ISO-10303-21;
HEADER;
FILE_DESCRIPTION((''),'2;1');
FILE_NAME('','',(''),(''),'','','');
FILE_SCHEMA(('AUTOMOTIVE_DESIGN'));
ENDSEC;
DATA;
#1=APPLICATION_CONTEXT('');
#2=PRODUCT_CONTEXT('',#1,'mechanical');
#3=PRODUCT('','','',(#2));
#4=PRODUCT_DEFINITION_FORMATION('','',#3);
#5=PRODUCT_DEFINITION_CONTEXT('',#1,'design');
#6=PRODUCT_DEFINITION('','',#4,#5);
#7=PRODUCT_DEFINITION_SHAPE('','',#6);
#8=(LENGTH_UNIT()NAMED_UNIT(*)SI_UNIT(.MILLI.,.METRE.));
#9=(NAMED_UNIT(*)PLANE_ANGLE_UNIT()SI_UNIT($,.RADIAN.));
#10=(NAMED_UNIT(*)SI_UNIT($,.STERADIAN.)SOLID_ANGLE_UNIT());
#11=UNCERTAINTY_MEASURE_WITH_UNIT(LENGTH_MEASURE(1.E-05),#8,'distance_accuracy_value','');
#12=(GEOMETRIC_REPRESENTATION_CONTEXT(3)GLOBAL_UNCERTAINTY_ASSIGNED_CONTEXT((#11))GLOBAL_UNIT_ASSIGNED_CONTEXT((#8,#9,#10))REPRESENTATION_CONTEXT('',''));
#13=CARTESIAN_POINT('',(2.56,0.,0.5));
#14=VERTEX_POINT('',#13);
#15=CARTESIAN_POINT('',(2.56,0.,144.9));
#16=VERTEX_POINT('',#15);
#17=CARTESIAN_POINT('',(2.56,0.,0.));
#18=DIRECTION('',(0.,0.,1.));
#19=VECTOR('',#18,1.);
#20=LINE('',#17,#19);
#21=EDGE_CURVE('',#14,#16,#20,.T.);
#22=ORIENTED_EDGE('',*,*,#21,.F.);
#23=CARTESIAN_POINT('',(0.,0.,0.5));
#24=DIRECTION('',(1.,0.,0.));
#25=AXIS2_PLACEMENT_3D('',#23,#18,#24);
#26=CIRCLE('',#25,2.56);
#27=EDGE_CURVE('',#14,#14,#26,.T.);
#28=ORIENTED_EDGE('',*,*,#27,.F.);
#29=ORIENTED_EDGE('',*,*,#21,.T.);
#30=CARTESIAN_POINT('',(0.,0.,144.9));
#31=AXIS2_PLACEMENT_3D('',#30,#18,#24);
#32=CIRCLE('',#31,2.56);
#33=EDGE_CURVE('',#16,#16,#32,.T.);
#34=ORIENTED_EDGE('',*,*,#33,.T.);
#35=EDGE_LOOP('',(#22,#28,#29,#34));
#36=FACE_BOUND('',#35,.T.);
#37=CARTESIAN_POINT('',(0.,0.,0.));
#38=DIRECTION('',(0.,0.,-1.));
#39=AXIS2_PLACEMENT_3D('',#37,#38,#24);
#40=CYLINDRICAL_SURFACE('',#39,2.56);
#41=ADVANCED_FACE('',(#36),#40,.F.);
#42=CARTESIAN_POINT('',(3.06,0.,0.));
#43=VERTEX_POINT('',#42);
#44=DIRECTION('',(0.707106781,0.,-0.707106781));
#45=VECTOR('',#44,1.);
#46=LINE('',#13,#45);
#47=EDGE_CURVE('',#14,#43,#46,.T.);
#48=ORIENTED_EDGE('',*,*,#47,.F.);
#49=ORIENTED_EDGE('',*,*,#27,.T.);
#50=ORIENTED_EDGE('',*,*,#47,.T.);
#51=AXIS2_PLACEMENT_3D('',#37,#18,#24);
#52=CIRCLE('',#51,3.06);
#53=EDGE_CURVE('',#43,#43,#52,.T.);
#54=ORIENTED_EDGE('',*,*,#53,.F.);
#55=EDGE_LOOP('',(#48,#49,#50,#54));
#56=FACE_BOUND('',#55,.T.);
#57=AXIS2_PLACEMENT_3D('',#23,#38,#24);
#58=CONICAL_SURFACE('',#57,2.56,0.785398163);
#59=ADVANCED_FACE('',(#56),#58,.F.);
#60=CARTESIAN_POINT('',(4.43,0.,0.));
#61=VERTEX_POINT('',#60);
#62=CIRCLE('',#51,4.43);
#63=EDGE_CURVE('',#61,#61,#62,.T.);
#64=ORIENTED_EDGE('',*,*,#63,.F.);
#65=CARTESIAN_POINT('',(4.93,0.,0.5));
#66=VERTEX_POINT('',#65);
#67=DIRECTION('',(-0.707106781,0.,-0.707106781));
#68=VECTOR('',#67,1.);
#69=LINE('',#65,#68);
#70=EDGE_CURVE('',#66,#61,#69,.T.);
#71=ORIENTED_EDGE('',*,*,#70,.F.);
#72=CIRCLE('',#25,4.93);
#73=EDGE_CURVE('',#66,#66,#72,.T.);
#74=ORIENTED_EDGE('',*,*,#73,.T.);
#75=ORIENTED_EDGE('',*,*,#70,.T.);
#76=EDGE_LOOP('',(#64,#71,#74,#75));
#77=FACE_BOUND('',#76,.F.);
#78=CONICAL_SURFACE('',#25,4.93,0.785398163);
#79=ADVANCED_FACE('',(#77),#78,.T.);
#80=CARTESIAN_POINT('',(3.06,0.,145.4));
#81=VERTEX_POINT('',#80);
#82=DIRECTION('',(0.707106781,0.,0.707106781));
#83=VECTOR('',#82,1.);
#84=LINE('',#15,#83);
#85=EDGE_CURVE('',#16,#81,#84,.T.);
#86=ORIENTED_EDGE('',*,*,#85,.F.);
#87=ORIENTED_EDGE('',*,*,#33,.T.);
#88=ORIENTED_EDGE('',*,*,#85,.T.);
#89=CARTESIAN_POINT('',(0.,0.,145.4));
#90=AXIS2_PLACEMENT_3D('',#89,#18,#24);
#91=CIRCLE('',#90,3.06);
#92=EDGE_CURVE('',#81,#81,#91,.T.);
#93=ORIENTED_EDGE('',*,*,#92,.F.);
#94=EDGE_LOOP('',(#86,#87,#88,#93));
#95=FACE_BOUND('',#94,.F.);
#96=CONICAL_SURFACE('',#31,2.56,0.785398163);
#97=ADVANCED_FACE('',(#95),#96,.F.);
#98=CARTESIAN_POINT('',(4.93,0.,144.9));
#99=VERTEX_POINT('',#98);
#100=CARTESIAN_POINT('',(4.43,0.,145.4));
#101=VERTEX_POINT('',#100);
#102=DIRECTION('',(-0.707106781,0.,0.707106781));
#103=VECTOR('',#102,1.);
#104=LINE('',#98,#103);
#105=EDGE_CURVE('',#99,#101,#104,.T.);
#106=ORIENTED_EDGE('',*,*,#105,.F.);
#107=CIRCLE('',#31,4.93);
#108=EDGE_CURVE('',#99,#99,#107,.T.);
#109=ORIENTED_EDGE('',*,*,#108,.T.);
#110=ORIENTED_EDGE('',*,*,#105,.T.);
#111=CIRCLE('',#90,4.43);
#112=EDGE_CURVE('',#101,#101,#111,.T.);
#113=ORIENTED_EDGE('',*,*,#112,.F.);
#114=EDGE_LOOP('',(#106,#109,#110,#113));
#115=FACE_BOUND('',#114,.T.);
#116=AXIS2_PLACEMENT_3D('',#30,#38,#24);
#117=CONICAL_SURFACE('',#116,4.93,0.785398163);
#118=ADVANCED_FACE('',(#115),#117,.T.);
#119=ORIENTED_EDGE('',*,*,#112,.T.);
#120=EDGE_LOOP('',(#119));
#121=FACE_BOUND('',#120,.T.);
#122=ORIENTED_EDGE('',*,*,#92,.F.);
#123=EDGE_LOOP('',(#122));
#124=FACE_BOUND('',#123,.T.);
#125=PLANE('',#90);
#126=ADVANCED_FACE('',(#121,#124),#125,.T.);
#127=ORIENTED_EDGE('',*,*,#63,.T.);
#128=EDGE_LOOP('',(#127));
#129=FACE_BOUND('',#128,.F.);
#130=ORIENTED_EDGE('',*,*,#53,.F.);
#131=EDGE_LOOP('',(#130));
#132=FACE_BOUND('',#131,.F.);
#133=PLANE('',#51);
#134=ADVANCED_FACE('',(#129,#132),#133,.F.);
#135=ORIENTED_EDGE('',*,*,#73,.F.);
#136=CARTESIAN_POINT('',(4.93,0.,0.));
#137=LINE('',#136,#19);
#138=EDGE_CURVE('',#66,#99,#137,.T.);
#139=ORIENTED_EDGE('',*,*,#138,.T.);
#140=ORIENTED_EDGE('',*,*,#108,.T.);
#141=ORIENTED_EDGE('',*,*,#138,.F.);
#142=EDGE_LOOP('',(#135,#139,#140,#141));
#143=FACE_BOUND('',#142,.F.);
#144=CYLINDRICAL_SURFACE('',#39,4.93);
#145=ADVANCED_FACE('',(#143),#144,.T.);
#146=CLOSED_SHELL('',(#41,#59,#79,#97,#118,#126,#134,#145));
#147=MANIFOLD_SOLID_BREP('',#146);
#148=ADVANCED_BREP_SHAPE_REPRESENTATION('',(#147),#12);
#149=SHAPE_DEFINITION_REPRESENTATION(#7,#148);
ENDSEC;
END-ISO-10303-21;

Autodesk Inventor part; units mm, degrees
ref_plane "YZ Plane" through (0, 0, 0) normal (1, 0, 0) x (0, 1, 0)
ref_plane "XZ Plane" through (0, 0, 0) normal (0, 1, 0) x (-1, 0, 0)
sketch "Sketch1" plane through (0, 0, 0) normal (0, 0, 1) x (1, 0, 0)
  circle A0 centre (0, 0) radius 4.93
  circle A1 centre (0, 0) radius 2.56
  dimension "d0" = 9.86
  dimension "d1" = 5.12
extrude "Extrusion1" add sketch "Sketch1" along normal blind 145.4
thread "Thread1" size "M9x1.25" class "6g" standard "ANSI Metric M Profile" length 20
ref_plane "Work Plane1" through (0, 0, 72.7) normal (0, 0, 1) x (1, 0, 0)
thread "Thread2" size "M9x1.25" class "6g" standard "ANSI Metric M Profile" length 30
chamfer "Chamfer2" distance 0.5 angle 45 4 edges at (-2.56, 0, 145.4) (-4.93, 0, 145.4) (-4.93, 0, 0) (-2.56, 0, 0)
properties part number "EjeManzanaD" material "Steel"
